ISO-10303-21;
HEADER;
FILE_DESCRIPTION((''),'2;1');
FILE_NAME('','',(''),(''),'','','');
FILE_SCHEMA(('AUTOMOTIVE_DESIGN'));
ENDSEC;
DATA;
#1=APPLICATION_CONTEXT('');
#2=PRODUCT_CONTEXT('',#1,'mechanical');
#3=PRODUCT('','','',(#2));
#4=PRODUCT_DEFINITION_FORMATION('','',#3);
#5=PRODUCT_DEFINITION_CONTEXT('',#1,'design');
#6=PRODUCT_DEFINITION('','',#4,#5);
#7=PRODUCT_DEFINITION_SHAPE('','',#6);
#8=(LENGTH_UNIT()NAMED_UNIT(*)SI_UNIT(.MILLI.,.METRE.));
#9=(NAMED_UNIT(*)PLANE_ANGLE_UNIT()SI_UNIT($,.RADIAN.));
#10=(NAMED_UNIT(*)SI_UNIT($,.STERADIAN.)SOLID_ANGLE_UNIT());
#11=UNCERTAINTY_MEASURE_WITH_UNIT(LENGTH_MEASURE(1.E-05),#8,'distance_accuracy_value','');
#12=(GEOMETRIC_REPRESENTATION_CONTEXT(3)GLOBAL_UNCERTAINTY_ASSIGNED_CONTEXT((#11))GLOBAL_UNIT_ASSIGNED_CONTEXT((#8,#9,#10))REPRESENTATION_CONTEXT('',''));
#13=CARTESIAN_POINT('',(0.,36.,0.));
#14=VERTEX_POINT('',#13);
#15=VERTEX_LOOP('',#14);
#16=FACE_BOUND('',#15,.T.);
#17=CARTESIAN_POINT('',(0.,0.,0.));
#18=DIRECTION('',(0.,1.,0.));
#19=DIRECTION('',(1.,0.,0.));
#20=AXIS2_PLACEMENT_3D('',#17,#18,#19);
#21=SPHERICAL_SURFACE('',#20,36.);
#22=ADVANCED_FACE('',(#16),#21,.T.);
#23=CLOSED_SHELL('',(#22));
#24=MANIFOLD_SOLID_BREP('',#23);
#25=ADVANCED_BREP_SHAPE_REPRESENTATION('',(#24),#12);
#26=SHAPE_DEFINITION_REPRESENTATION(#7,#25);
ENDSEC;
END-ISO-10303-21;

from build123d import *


with BuildPart() as part:
    # Sketch1 → Revolve1 (revolve)
    with BuildSketch(Plane.XY):
        with BuildLine():
            Line((0, 36), (0, -36))
            ThreePointArc((0, -36), (-36, 0), (0, 36))
        make_face()
    revolve(axis=Axis((0, 36, 0), (0, -1, 0)))


solid = part.part
